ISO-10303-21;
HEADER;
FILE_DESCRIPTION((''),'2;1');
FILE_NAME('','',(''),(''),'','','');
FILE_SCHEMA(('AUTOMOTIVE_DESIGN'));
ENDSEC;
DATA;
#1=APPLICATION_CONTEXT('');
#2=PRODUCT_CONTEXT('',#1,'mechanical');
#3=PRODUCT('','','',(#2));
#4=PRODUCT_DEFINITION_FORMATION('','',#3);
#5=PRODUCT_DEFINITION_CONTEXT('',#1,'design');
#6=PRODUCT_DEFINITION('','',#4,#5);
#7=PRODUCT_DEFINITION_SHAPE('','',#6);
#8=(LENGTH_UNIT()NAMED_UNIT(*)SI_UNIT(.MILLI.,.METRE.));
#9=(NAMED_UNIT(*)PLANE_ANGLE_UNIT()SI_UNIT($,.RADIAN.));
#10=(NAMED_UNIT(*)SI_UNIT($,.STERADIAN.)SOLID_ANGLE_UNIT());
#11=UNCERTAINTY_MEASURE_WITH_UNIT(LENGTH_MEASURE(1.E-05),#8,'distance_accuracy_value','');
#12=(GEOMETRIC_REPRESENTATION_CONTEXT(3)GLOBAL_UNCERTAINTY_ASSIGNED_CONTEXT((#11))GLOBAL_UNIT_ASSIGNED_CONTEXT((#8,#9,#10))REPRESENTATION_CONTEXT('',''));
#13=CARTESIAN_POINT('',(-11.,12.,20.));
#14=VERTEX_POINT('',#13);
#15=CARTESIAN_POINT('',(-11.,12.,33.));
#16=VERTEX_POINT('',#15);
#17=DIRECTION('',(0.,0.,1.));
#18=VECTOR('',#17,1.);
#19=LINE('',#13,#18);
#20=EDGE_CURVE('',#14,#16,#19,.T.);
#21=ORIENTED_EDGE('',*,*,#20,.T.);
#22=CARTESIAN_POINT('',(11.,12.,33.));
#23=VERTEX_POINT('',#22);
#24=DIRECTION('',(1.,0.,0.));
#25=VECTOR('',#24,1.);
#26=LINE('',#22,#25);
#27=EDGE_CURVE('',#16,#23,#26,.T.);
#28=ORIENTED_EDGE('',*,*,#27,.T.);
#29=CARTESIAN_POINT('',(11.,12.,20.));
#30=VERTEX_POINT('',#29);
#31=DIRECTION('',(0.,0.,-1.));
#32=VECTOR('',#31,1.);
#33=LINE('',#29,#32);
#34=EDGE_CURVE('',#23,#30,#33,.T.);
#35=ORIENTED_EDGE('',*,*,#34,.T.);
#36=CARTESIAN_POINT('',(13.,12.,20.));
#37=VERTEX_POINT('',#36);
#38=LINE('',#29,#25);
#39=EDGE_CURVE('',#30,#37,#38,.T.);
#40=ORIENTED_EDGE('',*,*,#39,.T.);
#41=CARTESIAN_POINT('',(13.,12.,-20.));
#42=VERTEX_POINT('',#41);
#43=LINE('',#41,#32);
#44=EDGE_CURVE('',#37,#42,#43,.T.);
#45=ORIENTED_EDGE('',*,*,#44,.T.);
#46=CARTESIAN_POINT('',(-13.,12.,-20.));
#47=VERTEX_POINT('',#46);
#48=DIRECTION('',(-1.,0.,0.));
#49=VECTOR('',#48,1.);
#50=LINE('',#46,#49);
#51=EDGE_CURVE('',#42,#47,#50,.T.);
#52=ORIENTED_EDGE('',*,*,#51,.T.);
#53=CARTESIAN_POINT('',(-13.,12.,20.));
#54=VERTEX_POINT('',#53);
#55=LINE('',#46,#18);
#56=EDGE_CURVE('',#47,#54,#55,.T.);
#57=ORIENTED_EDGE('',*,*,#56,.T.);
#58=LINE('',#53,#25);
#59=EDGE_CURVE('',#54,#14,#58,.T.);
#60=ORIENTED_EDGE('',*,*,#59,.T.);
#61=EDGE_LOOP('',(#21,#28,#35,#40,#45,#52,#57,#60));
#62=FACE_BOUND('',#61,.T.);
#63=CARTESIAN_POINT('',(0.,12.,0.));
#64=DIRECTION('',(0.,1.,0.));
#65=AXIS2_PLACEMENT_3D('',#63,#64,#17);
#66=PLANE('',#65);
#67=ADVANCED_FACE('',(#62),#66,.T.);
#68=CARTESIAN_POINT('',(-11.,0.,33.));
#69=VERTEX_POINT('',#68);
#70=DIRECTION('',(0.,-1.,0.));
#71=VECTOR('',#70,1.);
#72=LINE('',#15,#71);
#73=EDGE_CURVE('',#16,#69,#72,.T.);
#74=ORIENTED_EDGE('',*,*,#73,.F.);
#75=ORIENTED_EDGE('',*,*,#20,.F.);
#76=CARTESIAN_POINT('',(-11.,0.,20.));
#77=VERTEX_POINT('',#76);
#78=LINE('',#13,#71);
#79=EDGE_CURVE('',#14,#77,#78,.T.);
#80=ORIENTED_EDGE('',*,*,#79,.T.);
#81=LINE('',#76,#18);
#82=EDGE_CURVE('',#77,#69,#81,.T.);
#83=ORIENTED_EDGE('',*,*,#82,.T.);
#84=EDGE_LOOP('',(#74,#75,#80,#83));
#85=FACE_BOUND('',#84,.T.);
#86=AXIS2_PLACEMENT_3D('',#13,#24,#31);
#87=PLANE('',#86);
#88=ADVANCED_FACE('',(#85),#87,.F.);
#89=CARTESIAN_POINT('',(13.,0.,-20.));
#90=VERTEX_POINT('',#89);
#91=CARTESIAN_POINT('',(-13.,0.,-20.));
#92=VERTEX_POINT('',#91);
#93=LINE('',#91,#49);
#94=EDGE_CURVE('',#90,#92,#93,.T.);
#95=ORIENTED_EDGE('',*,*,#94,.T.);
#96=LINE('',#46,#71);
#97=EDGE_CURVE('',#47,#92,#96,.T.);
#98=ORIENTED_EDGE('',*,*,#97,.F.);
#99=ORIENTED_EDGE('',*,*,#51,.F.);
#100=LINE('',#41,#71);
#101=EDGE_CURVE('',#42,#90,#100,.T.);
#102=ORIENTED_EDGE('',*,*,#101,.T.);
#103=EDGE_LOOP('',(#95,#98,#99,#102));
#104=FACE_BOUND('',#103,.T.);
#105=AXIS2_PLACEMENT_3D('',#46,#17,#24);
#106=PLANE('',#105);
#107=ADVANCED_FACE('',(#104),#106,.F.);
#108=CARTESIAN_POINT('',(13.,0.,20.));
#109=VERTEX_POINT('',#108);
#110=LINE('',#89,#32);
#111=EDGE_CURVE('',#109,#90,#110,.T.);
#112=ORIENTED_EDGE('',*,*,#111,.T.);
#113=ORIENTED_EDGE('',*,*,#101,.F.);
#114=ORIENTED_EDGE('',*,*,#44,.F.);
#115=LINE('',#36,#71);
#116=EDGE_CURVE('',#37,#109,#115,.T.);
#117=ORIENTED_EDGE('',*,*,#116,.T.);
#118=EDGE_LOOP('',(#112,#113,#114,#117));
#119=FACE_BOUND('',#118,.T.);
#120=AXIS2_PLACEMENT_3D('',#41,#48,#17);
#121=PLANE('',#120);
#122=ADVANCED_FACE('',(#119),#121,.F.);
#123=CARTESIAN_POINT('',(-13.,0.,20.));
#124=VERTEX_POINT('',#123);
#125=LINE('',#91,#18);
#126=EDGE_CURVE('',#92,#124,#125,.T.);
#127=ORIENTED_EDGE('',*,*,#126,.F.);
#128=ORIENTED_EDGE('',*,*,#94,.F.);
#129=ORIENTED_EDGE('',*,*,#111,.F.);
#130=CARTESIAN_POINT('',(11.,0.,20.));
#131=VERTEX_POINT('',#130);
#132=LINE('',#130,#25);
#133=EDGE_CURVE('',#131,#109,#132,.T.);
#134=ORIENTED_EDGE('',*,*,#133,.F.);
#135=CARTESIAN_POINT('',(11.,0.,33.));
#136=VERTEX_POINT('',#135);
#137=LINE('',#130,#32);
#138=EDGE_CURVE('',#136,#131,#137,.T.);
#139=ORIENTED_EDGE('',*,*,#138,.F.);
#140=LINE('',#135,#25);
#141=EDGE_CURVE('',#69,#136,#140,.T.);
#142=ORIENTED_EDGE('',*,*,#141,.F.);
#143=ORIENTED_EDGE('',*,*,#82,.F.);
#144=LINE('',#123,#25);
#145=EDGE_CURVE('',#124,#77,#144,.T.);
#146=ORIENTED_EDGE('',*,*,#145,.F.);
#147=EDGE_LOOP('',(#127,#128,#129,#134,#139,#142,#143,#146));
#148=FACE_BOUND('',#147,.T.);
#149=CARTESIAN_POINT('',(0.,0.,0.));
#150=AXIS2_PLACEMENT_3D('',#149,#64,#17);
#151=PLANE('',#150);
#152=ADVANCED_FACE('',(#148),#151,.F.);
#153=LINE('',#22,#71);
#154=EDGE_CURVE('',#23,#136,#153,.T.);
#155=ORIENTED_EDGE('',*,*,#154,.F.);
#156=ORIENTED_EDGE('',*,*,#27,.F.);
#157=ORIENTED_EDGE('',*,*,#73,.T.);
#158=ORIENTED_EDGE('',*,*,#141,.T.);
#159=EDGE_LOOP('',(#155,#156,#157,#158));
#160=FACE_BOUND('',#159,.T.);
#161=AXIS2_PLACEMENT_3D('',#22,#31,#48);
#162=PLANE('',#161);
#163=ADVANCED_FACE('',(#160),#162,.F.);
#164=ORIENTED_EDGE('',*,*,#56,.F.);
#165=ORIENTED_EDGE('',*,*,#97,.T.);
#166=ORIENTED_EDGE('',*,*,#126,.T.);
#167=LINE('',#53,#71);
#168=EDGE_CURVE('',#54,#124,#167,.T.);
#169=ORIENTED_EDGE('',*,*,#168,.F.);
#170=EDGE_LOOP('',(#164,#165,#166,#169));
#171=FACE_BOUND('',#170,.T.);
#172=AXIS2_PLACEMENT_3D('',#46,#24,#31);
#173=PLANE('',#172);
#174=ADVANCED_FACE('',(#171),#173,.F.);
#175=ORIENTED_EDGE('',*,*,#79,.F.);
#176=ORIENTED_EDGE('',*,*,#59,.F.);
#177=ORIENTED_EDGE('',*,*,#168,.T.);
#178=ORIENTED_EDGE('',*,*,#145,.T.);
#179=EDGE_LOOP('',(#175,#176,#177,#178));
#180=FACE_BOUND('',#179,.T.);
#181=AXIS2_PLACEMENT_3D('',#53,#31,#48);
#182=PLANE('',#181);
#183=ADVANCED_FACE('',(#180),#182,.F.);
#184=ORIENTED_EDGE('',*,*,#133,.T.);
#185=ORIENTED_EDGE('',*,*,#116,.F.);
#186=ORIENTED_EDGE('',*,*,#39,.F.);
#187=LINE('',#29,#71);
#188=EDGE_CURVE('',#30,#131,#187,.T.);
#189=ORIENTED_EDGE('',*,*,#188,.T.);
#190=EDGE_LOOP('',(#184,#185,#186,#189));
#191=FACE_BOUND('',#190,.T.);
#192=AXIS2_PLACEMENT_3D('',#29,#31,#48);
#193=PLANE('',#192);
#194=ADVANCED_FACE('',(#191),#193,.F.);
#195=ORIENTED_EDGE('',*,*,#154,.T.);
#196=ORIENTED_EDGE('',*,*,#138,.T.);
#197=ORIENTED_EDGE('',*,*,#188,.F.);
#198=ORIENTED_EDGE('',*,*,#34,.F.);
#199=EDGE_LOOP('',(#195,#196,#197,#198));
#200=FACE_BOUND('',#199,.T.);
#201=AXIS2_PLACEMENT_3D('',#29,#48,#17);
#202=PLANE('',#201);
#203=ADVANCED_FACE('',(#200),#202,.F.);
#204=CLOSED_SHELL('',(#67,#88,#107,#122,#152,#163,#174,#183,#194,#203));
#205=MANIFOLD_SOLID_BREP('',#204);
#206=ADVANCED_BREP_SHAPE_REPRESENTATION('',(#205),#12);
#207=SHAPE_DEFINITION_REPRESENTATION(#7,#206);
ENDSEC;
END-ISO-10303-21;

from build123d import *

# Parameters (mm, degrees)
BOSS_EXTRUDE1_DEPTH = 12


with BuildPart() as part:
    # Sketch1 → Boss-Extrude1 (new body)
    with BuildSketch(Plane(origin=(0, 0, 0), x_dir=(1, 0, 0), z_dir=(0, 1, 0))):
        Polygon((11, -20), (13, -20), (13, 20), (-13, 20), (-13, -20), (-11, -20), (-11, -33), (11, -33), align=None)
    extrude(amount=BOSS_EXTRUDE1_DEPTH)


solid = part.part
